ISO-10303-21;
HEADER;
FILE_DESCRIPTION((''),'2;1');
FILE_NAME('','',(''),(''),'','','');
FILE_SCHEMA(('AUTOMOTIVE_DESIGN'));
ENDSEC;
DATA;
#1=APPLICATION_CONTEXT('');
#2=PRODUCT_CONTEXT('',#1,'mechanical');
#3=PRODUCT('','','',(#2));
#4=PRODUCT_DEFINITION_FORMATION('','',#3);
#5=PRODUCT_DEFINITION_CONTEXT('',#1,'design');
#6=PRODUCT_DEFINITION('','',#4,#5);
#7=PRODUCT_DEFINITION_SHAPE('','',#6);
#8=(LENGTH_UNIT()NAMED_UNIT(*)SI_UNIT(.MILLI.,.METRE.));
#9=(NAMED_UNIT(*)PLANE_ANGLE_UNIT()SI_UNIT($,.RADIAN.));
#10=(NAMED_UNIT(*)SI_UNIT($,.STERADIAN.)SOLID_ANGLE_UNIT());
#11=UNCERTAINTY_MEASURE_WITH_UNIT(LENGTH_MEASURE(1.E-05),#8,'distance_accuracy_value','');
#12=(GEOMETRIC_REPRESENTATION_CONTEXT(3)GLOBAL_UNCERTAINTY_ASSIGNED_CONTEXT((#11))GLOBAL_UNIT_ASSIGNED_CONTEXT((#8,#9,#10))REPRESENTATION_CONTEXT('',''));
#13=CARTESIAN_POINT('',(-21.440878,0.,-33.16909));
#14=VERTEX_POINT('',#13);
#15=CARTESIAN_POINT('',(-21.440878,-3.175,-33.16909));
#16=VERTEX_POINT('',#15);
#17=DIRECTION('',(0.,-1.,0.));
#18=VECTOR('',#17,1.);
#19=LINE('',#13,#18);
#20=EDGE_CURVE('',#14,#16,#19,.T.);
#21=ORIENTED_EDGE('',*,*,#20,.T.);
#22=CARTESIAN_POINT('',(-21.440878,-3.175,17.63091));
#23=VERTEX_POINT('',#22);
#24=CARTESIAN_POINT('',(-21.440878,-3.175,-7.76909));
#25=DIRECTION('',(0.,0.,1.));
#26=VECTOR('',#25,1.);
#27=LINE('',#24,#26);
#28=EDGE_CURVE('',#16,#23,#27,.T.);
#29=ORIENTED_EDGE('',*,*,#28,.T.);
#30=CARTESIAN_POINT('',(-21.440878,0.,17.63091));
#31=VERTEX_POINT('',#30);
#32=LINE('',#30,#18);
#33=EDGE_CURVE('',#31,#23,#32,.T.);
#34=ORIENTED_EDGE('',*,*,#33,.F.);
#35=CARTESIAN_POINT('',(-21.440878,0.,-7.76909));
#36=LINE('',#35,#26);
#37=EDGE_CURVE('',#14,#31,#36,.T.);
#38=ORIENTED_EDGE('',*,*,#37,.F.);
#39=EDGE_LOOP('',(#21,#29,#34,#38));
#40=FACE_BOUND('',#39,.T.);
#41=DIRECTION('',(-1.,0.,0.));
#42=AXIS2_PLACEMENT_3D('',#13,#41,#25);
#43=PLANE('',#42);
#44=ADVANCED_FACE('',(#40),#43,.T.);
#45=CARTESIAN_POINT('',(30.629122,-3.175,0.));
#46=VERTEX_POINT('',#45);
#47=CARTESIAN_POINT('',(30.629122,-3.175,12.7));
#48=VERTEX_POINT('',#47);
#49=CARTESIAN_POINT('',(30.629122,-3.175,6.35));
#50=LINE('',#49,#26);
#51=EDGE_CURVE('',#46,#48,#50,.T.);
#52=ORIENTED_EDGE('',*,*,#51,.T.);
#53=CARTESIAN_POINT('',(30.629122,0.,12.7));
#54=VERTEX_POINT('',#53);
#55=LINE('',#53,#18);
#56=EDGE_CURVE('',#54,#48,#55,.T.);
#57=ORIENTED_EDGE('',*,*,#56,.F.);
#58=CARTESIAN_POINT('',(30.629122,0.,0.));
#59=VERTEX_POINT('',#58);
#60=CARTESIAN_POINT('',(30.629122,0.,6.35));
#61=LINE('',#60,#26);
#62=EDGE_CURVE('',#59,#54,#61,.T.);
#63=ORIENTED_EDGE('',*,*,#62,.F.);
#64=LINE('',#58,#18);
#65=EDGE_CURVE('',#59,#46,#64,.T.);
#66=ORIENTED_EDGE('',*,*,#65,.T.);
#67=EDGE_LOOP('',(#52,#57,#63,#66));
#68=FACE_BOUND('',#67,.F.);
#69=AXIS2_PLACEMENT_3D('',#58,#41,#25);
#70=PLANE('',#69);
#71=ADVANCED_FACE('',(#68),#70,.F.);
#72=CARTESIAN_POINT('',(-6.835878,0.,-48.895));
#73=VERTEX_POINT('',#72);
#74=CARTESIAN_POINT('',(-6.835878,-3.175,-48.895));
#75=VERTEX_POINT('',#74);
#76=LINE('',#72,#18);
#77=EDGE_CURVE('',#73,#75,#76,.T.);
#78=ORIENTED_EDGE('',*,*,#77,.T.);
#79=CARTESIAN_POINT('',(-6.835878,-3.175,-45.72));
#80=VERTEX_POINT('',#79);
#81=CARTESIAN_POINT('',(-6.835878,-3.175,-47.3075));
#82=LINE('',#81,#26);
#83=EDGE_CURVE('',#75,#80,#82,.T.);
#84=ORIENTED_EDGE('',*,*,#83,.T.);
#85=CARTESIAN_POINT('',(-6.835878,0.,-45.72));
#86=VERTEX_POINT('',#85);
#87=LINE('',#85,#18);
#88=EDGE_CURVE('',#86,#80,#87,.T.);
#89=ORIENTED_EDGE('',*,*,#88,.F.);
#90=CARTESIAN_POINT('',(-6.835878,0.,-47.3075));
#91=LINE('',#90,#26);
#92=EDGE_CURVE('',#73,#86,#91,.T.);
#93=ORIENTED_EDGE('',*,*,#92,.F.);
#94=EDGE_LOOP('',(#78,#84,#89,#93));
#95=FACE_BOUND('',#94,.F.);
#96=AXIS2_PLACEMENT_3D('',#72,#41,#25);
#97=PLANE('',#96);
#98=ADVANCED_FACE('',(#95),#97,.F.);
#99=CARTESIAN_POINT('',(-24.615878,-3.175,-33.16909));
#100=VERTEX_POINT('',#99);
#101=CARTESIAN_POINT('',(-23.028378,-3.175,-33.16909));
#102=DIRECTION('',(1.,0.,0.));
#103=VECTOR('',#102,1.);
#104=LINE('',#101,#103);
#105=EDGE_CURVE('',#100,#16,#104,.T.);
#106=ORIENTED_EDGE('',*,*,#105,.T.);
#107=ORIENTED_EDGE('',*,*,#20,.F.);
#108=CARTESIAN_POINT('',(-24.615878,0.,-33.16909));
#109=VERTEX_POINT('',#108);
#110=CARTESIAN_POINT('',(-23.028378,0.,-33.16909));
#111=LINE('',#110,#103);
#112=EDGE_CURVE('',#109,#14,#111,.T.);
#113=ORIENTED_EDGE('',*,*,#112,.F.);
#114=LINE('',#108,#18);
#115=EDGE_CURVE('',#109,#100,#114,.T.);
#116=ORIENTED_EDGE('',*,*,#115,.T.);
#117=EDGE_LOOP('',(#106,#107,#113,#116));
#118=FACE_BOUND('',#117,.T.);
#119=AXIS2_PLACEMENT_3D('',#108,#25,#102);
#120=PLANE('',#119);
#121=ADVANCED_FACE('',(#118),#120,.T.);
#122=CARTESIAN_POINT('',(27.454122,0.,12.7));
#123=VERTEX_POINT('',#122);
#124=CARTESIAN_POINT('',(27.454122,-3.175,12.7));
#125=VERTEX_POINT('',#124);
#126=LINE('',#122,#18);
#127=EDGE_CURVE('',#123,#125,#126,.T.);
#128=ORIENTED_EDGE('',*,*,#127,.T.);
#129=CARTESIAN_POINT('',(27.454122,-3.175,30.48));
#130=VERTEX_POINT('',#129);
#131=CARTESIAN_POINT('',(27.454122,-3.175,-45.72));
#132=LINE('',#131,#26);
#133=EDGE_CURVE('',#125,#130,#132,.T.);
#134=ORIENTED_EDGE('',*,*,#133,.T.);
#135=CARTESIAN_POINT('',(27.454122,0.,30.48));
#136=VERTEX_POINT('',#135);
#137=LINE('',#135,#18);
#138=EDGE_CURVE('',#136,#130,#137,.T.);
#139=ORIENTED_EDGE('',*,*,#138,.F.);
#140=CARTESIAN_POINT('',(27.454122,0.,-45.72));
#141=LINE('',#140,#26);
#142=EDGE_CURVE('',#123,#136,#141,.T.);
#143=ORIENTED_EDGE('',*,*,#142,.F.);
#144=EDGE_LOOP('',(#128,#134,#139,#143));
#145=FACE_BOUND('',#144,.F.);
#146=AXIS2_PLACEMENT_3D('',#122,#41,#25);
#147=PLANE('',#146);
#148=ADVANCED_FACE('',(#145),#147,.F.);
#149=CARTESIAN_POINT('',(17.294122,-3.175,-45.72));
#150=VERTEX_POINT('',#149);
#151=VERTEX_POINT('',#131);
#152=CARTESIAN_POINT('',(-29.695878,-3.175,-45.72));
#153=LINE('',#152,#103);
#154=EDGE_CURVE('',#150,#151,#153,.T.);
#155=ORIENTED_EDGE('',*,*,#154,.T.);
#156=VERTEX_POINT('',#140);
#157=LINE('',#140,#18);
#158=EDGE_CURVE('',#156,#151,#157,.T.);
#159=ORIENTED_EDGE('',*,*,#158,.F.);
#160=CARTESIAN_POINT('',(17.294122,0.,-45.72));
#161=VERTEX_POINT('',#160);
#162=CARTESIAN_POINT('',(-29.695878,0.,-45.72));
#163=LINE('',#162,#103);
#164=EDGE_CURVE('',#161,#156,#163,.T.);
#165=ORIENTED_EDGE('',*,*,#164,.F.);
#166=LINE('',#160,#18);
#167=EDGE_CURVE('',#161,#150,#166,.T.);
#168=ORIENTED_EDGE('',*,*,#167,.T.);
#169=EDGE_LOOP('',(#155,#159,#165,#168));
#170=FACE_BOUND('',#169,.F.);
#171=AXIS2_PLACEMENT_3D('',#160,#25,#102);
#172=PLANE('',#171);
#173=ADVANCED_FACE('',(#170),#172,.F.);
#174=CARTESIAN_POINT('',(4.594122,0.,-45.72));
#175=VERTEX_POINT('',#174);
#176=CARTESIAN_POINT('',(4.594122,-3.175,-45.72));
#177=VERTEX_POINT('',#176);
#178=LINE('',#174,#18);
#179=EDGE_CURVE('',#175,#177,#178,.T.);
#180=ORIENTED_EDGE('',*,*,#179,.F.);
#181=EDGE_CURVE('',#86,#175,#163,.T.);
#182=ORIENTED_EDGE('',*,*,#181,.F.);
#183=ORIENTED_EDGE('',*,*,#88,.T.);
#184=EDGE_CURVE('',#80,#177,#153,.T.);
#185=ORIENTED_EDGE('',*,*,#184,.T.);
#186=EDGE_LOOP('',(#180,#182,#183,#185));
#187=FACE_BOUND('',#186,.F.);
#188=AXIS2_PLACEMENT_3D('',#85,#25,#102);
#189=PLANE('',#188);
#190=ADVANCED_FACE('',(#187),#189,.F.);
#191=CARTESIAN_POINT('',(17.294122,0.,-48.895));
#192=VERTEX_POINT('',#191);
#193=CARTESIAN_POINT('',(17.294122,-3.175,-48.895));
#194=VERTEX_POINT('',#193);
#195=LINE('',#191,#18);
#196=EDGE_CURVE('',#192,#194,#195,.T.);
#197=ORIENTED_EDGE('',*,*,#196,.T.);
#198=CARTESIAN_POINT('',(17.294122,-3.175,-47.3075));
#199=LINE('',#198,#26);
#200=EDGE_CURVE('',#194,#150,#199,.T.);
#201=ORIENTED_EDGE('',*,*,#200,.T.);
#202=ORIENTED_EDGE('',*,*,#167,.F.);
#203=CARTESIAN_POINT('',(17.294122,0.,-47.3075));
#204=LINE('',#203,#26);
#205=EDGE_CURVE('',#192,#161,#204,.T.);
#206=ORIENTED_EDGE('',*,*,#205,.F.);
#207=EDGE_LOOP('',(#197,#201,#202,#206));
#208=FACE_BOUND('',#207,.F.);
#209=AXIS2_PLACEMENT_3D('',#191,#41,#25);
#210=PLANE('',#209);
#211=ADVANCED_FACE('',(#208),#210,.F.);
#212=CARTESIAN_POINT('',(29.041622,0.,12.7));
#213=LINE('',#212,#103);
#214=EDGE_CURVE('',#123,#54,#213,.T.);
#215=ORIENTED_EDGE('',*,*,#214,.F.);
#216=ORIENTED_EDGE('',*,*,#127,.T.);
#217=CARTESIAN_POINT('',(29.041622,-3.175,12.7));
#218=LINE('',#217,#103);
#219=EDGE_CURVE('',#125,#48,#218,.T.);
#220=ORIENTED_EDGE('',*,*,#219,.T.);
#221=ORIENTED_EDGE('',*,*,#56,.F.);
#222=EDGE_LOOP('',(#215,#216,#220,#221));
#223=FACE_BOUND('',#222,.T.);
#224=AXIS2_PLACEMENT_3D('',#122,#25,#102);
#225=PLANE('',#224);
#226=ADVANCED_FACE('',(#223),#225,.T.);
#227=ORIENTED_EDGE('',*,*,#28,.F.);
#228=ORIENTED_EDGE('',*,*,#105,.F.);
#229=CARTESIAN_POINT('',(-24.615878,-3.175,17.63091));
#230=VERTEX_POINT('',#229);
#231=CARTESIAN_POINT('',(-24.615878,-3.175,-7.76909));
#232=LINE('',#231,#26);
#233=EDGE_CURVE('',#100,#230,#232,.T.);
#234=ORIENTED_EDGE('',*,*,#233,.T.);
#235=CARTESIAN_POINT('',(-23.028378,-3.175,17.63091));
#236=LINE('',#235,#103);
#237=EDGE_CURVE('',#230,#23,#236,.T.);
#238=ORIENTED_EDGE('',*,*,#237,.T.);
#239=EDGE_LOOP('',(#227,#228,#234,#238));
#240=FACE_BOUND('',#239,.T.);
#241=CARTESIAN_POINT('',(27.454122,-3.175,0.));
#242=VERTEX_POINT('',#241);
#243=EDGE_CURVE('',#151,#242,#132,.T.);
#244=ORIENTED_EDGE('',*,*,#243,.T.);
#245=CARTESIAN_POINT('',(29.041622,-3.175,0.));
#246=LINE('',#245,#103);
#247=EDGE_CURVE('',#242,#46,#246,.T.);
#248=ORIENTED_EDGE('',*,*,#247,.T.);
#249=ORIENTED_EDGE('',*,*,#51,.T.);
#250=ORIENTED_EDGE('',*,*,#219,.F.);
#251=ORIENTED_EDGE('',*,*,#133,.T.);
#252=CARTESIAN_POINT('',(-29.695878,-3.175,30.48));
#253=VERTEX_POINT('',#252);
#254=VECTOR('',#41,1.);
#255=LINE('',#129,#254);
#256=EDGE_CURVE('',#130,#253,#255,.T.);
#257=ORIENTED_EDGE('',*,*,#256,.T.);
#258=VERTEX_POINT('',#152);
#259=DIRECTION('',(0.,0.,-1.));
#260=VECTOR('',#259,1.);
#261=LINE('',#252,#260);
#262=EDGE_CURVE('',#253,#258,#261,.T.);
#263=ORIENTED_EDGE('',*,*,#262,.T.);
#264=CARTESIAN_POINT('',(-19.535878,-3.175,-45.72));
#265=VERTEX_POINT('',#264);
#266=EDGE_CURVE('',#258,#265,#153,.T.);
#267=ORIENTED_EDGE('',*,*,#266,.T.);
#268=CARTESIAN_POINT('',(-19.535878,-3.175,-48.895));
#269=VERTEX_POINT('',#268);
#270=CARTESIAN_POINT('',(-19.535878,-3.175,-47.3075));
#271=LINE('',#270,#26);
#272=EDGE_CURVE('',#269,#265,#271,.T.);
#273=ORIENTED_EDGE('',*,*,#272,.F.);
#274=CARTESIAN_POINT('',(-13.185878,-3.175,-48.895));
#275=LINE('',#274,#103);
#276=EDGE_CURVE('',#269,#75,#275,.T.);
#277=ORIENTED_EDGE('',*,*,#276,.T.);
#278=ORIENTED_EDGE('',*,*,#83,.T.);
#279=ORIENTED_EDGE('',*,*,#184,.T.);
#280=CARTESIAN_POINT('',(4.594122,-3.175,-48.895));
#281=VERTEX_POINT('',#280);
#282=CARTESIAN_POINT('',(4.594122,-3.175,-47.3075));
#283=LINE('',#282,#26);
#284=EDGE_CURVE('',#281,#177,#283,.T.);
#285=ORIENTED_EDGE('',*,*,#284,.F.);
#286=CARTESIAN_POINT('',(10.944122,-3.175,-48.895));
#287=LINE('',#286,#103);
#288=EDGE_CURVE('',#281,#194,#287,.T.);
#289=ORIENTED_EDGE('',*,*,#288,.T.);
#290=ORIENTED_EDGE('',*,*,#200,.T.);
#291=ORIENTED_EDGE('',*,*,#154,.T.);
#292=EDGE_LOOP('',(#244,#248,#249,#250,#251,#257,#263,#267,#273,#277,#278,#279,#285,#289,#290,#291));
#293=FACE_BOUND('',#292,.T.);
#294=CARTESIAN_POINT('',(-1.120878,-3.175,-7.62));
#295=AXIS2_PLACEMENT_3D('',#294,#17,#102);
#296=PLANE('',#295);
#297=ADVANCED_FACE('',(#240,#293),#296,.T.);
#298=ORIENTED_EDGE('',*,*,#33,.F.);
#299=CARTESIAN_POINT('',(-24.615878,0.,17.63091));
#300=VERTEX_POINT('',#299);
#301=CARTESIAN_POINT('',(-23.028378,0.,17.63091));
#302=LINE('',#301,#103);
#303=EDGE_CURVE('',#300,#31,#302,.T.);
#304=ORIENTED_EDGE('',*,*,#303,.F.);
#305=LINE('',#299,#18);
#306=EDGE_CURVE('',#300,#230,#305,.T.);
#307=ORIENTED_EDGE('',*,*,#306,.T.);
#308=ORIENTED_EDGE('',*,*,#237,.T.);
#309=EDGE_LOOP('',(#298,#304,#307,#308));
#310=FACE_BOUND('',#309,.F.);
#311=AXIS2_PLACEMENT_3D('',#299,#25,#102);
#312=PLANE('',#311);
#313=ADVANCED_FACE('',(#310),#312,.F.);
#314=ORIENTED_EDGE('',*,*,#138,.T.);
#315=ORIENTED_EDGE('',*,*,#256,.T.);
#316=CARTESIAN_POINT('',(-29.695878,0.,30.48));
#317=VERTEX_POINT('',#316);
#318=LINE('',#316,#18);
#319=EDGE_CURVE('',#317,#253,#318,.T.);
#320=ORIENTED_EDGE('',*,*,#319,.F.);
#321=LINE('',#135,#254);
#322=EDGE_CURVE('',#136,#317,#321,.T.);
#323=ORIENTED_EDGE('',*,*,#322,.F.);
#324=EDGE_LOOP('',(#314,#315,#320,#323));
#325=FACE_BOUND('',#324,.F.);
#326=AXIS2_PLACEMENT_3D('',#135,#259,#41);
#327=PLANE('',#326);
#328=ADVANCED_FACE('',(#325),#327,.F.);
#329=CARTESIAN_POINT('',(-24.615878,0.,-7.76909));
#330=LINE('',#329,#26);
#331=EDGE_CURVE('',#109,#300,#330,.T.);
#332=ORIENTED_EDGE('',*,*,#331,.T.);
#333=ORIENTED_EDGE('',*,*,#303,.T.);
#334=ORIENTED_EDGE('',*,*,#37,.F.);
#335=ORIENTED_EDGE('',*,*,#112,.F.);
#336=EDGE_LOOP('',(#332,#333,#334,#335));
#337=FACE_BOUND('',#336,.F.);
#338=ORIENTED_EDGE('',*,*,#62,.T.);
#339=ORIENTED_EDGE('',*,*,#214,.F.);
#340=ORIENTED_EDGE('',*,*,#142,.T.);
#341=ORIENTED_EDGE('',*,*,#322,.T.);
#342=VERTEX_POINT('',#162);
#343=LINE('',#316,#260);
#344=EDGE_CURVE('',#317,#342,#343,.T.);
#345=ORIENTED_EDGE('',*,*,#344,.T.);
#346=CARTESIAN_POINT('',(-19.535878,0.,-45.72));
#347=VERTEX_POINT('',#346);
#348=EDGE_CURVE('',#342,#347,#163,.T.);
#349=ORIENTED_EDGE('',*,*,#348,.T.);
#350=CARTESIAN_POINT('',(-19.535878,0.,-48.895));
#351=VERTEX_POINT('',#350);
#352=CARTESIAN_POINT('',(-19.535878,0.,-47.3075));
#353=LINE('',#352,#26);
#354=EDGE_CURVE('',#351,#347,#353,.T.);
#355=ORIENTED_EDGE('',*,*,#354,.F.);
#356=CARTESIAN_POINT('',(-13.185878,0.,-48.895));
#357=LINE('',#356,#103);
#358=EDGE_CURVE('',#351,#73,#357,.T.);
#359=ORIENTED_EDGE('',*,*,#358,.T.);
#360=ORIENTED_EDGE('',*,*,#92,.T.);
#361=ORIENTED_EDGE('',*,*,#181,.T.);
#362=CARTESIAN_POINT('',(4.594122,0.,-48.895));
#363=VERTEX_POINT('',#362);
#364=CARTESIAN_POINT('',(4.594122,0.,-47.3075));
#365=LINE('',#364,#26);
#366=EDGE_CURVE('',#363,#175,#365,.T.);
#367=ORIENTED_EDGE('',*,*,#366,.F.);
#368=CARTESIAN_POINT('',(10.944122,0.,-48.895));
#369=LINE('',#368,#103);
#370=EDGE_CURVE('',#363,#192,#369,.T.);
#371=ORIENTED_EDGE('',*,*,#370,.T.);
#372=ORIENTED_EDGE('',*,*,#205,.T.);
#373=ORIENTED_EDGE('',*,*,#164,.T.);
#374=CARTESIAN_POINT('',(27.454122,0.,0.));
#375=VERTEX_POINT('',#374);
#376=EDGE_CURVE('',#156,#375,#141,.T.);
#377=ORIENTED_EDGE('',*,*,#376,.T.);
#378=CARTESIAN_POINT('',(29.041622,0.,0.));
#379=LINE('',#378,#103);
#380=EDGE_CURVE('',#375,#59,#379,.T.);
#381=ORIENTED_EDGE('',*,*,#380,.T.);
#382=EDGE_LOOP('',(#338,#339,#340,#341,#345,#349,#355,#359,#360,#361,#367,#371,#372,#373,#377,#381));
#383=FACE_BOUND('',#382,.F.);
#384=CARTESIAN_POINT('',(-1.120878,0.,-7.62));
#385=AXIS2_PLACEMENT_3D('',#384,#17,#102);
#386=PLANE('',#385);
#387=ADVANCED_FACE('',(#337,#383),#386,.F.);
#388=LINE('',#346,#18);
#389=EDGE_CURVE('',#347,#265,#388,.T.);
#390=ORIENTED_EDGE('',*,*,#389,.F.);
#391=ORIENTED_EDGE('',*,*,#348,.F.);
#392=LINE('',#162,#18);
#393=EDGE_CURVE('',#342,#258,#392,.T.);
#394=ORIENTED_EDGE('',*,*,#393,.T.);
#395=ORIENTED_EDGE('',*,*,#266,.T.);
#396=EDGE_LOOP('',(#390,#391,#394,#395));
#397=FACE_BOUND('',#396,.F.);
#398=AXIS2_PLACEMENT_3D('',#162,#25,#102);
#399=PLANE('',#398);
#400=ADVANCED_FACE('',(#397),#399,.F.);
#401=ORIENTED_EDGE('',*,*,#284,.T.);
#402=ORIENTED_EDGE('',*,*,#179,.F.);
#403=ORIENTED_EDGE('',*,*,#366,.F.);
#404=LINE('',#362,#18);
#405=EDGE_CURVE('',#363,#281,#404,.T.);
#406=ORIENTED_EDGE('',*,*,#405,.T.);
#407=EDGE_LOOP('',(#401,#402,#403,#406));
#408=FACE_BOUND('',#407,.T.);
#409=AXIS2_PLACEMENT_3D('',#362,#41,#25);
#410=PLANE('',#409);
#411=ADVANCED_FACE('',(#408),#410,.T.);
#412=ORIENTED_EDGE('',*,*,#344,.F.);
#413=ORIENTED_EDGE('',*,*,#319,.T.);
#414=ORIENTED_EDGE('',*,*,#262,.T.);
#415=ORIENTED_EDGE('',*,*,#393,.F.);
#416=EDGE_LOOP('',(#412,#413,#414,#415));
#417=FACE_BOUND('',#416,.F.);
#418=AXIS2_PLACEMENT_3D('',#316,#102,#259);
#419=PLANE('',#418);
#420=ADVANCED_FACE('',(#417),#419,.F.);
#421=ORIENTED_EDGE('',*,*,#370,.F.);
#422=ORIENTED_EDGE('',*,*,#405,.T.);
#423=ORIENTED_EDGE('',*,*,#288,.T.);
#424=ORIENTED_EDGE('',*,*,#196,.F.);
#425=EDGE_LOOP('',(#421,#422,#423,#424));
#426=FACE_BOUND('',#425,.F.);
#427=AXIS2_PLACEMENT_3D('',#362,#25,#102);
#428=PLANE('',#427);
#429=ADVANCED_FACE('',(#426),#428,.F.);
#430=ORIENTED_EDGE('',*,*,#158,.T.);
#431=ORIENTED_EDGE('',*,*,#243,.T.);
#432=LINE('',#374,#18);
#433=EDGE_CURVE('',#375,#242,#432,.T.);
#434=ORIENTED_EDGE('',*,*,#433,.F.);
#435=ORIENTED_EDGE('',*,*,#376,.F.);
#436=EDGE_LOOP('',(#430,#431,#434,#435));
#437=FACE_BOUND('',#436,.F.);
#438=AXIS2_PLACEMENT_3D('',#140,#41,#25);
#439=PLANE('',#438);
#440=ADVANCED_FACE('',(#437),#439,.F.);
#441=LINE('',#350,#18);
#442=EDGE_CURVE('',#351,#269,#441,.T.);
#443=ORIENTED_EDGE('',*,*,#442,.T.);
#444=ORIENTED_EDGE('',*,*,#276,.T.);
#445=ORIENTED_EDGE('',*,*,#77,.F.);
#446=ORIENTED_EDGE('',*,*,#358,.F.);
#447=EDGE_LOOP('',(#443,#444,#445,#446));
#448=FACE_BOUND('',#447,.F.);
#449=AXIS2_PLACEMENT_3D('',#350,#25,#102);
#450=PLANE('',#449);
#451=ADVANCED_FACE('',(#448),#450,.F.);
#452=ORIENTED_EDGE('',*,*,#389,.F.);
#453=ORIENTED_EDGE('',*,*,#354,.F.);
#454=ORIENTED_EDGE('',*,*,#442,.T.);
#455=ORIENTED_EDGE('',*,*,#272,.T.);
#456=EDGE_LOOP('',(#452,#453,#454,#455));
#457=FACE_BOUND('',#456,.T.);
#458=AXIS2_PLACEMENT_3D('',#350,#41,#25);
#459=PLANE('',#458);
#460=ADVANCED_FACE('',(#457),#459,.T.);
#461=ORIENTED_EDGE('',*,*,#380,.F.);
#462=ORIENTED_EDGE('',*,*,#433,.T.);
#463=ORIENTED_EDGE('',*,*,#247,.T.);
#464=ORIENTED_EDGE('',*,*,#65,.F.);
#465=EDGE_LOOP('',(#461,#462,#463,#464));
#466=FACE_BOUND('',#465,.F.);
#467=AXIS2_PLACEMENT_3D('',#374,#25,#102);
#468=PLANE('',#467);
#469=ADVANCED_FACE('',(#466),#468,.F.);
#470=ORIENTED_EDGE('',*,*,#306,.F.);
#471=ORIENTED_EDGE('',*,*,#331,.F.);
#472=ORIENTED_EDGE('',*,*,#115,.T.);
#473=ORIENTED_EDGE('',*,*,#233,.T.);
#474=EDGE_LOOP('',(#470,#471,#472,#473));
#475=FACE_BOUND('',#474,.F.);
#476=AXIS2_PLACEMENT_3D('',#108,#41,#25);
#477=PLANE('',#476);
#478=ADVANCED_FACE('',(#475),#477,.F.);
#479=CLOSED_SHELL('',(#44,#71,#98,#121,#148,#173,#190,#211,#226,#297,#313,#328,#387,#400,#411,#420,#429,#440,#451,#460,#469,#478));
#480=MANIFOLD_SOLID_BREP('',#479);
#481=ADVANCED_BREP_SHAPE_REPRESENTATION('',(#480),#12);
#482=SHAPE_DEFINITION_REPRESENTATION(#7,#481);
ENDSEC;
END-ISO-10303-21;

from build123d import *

# Parameters (mm, degrees)
F0_W     = 3.175
F0_H     = 50.8
F0_W_2   = 12.7
F0_H_2   = 3.175
F0_H_3   = 12.7
F1_DEPTH = 3.175


with BuildPart() as f1:
    # F0 (on Front) → F1 (new body)
    with BuildSketch(Plane.XZ):
        Polygon((27.454122, 30.48), (-29.695878, 30.48), (-29.695878, -45.72), (-19.535878, -45.72), (-6.835878, -45.72), (4.594122, -45.72), (17.294122, -45.72), (27.454122, -45.72), (27.454122, 0), (27.454122, 12.7), align=None)
        with Locations((-23.028378, -7.76909)):
            Rectangle(F0_W, F0_H, mode=Mode.SUBTRACT)
        with Locations((-13.185878, -47.3075)):
            Rectangle(F0_W_2, F0_H_2)
        with Locations((10.944122, -47.3075)):
            Rectangle(F0_W_2, F0_H_2)
        with Locations((29.041622, 6.35)):
            Rectangle(F0_W, F0_H_3)
    extrude(amount=F1_DEPTH)


solid = f1.part
